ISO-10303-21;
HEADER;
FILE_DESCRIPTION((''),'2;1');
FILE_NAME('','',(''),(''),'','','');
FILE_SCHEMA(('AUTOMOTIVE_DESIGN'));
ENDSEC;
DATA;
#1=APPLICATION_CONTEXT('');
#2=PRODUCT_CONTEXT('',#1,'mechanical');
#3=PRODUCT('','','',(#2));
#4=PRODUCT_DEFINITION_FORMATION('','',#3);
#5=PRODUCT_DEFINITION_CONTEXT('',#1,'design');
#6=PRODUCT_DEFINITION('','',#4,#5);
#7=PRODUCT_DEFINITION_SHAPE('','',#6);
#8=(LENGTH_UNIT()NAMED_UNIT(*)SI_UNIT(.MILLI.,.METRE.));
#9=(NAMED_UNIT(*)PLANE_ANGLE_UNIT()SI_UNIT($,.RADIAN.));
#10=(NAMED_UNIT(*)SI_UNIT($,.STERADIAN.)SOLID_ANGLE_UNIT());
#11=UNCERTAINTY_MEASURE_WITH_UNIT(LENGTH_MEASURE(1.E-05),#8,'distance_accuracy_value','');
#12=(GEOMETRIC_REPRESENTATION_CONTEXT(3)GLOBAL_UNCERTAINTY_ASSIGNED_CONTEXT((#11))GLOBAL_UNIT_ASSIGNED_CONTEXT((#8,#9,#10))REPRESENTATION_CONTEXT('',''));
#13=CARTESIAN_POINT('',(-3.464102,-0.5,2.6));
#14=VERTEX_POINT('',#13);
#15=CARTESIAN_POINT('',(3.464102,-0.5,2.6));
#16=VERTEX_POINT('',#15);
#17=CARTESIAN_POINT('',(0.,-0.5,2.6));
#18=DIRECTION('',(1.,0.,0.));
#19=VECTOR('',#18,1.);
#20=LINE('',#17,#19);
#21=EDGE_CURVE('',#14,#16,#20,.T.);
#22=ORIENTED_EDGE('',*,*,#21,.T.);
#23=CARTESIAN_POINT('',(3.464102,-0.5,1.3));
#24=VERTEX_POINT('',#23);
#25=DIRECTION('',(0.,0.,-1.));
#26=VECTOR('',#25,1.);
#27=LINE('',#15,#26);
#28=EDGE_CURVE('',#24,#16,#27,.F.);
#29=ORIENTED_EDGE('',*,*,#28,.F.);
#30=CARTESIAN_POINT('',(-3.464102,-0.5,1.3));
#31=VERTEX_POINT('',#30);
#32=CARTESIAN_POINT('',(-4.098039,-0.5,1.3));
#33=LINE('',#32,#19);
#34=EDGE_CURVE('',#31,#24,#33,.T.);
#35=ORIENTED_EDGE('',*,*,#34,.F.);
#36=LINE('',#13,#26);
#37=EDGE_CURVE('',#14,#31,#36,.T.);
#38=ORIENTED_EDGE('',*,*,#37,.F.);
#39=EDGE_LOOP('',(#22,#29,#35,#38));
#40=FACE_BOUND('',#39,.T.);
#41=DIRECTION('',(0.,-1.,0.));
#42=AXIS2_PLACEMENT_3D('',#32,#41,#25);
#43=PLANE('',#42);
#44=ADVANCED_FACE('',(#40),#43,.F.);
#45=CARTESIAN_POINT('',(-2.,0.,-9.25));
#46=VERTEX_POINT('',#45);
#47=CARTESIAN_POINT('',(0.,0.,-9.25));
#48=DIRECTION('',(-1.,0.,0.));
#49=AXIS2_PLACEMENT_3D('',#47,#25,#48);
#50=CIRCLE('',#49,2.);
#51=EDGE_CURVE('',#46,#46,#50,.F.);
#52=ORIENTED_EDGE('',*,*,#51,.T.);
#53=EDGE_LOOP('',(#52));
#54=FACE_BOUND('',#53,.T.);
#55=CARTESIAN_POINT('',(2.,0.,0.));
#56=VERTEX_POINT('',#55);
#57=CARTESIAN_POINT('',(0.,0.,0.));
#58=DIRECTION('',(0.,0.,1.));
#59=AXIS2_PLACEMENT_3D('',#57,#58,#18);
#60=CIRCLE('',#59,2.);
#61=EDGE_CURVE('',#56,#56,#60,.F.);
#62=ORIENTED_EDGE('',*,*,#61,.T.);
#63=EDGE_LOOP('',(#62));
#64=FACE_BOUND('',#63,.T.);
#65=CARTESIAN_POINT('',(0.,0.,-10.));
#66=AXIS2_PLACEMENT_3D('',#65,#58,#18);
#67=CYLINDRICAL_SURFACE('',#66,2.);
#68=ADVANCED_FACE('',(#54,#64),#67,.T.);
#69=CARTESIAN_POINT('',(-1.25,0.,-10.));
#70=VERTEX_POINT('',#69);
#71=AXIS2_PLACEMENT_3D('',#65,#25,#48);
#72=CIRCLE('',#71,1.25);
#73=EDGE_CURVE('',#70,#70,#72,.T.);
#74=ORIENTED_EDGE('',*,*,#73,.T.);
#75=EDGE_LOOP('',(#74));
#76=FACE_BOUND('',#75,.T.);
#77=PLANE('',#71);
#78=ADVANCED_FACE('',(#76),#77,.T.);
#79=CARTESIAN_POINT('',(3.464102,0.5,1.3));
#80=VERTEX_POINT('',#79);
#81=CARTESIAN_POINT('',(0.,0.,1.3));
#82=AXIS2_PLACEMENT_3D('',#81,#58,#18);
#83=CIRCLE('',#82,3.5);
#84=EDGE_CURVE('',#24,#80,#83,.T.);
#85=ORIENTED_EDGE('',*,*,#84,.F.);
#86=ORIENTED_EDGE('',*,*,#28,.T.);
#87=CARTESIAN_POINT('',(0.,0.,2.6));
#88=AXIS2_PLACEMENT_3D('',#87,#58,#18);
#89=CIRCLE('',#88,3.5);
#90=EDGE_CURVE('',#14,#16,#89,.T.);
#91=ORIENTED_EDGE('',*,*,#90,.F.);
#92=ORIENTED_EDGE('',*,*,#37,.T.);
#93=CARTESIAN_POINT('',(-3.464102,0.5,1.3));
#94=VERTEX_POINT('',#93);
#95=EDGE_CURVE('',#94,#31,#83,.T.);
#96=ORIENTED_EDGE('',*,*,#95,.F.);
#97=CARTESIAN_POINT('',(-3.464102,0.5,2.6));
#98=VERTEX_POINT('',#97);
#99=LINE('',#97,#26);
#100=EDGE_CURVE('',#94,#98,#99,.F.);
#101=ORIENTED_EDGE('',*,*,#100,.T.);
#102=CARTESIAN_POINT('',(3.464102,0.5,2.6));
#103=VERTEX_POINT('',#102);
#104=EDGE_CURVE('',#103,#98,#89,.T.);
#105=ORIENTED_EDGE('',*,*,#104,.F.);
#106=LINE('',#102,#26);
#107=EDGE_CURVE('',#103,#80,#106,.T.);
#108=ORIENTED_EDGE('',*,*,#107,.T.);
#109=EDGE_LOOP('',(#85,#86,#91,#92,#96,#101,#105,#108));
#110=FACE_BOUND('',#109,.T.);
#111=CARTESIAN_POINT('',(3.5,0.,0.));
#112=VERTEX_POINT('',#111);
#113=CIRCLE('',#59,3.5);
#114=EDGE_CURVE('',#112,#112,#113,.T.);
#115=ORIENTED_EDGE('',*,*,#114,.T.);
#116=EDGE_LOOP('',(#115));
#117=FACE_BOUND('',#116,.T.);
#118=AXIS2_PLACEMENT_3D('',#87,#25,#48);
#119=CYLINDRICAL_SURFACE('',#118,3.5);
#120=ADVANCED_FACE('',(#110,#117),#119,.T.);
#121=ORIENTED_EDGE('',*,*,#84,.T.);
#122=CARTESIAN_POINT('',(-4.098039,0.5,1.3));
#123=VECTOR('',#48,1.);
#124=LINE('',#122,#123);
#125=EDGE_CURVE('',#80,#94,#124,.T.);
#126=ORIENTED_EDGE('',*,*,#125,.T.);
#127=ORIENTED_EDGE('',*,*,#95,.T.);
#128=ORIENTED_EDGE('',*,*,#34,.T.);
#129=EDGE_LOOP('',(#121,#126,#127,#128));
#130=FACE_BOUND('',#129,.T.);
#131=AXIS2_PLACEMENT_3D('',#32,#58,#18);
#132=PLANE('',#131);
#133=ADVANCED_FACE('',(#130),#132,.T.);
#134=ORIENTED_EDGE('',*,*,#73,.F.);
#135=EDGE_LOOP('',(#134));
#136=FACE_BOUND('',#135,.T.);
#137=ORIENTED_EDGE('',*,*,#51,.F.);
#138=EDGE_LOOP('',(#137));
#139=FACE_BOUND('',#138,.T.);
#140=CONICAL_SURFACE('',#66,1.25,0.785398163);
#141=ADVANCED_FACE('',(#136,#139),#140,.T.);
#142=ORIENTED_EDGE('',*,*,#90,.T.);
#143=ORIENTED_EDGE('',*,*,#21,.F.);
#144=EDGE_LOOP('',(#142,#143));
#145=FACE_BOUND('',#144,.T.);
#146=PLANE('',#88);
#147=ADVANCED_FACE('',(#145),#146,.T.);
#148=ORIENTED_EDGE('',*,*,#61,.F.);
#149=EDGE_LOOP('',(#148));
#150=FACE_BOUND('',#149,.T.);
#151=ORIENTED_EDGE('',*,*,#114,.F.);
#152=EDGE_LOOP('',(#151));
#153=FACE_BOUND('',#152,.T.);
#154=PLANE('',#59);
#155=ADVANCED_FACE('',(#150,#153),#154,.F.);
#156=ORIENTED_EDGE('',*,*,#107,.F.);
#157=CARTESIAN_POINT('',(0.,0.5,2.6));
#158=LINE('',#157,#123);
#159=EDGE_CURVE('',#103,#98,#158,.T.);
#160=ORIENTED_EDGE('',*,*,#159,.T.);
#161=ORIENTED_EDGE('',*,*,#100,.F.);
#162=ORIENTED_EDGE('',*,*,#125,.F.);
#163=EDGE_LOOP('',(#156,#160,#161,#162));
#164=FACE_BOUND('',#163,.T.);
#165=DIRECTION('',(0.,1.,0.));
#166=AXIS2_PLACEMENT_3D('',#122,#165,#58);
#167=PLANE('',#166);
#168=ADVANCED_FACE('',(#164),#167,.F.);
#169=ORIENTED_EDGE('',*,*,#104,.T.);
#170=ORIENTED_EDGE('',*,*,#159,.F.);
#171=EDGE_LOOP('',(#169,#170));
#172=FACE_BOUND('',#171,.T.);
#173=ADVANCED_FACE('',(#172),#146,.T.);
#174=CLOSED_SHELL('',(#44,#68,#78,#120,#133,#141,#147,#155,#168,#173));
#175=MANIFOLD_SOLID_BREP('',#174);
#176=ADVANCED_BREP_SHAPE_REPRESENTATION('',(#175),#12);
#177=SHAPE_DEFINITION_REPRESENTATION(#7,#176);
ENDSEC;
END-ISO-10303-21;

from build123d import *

# Parameters (mm, degrees)
SKETCH_12_R         = 3.5
EXTRUDE_3_DEPTH     = 2.6
SKETCH_13_R         = 2
EXTRUDE_4_DEPTH     = 10
SKETCH_20_W         = 8.088235294
SKETCH_20_H         = 1
CUT_EXTRUDE_8_DEPTH = 1.3
CHAMFER_1_SIZE      = 0.75


with BuildPart() as part:
    # Эскиз12 → Вытянуть3 (new body)
    with BuildSketch(Plane.XY):
        Circle(SKETCH_12_R)
    extrude(amount=EXTRUDE_3_DEPTH)

    # Эскиз13 → Вытянуть4 (add)
    with BuildSketch(Plane(origin=(0, 0, 0), x_dir=(-1, 0, 0), z_dir=(0, 0, -1))):
        with Locations(Location((0, 0, 0), (0, 0, 180))):
            Circle(SKETCH_13_R)
    extrude(amount=EXTRUDE_4_DEPTH)

    # Эскиз20 → Вырез-Вытянуть8 (cut)
    with BuildSketch(Plane.XY.offset(2.6)):
        with Locations((-0.053921569, 0)):
            Rectangle(SKETCH_20_W, SKETCH_20_H)
    extrude(amount=-CUT_EXTRUDE_8_DEPTH, mode=Mode.SUBTRACT)

    # Фаска1
    chamfer_1_edges = [part.edges().sort_by_distance(p)[0] for p in [
        (-2, 0, -10),
    ]]
    chamfer(chamfer_1_edges, length=CHAMFER_1_SIZE)


solid = part.part
